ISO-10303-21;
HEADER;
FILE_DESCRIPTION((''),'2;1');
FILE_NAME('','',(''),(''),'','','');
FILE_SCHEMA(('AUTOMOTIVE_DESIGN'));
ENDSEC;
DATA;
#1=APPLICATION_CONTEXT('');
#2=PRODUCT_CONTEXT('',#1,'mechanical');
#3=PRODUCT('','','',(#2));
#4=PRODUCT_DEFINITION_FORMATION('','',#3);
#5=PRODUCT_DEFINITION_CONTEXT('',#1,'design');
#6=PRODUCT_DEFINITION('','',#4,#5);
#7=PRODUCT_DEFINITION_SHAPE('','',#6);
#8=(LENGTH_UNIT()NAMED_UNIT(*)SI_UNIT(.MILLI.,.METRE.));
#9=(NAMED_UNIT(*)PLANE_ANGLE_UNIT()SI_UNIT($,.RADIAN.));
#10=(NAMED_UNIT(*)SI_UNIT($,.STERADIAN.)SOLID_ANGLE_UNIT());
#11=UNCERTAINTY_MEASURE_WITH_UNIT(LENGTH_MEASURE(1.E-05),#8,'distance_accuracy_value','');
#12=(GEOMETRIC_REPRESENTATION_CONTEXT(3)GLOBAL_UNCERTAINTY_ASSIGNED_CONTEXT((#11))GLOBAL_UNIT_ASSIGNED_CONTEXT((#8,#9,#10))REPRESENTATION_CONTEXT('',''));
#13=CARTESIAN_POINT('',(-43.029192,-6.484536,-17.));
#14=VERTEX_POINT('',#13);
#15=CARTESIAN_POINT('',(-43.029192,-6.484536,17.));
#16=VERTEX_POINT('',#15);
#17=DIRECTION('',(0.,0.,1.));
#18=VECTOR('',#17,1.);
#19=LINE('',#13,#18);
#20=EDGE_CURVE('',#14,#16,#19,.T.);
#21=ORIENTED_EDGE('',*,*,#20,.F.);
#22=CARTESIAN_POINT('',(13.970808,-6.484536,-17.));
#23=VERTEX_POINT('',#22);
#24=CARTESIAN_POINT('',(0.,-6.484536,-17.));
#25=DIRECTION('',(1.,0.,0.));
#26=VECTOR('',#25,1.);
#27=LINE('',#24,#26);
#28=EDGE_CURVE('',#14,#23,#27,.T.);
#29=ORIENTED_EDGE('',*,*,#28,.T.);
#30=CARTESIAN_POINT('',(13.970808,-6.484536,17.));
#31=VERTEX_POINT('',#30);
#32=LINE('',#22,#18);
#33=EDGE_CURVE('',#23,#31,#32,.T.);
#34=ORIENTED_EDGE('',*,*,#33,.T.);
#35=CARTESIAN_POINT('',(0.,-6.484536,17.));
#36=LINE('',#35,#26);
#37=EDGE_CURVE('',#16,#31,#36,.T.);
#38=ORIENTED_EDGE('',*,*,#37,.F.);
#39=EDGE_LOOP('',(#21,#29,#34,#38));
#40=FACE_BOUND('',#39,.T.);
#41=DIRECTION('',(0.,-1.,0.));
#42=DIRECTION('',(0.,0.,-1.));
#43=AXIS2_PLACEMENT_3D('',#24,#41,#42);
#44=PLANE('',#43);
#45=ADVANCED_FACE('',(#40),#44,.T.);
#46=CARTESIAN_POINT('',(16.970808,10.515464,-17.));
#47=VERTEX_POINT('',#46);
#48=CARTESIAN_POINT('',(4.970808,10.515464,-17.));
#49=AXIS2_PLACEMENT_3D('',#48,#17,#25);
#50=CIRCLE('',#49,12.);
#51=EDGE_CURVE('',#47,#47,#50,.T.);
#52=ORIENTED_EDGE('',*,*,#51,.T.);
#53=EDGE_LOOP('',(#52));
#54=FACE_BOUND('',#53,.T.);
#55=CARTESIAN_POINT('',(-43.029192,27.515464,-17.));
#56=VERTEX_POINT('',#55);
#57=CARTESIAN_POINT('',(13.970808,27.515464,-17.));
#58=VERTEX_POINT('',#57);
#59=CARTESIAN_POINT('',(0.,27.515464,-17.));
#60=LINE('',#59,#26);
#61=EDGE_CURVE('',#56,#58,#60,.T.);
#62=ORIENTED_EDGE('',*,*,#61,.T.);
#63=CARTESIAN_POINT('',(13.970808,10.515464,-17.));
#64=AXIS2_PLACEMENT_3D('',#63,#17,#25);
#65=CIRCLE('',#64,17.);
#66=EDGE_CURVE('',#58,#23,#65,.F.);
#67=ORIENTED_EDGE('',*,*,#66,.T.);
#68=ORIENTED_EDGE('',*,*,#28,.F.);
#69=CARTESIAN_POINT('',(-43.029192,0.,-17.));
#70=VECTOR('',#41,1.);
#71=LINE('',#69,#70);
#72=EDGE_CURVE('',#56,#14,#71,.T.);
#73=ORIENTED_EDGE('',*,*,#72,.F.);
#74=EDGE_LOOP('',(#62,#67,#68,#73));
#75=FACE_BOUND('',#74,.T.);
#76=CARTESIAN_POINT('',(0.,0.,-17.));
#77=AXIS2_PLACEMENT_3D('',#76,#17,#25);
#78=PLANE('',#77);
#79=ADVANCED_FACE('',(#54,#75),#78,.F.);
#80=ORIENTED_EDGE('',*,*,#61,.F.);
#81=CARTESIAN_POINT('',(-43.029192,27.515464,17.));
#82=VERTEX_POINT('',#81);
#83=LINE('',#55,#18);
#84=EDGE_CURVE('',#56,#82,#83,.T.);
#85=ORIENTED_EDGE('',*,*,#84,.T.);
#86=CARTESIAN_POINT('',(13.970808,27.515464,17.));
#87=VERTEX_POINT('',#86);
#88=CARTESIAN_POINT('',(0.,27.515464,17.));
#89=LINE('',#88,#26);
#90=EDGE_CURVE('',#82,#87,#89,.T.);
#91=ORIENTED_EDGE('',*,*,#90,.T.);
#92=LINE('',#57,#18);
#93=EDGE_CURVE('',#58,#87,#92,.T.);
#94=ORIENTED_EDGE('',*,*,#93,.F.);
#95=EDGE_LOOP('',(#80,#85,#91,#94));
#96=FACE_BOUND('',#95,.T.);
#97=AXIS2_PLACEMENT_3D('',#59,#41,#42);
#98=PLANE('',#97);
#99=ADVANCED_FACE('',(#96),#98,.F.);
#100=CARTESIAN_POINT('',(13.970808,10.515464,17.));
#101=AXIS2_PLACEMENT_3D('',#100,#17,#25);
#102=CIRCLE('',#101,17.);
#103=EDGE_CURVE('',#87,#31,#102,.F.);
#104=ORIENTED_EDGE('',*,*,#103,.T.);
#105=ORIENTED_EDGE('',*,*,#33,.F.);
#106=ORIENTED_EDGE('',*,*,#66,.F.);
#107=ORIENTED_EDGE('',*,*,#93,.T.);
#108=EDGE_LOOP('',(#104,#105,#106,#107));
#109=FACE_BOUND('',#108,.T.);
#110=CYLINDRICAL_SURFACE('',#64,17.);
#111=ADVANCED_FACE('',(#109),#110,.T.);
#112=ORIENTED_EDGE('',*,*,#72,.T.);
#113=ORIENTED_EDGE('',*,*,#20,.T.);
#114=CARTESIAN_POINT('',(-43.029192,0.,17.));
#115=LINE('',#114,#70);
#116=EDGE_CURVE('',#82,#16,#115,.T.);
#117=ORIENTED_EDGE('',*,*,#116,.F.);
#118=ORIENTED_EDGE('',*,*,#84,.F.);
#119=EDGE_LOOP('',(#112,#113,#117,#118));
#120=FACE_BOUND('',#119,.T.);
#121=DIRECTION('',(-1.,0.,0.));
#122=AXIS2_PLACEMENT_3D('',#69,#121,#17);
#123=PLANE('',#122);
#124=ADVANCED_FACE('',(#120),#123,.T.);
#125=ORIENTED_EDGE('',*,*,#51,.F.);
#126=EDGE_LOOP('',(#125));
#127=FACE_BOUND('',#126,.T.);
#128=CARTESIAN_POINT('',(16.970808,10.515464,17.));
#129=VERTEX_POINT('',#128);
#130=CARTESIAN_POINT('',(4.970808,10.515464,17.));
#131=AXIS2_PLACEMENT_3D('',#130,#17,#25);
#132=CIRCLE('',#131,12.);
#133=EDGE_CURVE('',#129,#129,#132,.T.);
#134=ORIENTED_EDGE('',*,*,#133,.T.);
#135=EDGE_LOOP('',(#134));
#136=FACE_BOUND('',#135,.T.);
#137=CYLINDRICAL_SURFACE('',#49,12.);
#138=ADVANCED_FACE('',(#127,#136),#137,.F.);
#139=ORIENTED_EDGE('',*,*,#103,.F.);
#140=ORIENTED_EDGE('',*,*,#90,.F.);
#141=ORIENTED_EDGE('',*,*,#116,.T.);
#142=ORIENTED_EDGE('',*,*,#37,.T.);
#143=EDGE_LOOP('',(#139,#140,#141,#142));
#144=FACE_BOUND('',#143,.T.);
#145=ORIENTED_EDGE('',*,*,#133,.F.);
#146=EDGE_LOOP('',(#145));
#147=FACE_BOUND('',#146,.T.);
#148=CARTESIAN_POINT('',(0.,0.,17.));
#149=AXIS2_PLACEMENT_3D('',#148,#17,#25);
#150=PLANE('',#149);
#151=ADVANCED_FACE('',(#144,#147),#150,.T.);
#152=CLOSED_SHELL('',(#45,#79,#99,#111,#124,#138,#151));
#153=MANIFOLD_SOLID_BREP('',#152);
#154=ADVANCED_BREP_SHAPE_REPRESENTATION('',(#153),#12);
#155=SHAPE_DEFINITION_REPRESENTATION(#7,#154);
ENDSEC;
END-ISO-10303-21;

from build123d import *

# Parameters (mm, degrees)
DODANIE_WYCI_GNI_CIE6_DEPTH      = 17
DODANIE_WYCI_GNI_CIE6_DEPTH_BACK = 17
SZKIC1_R                         = 12


with BuildPart() as part:
    # Szkic1 → Dodanie-wyciągnięcie6 (new, two sides: drawn at the far end of the back side and taken through both)
    with BuildSketch(Plane.XY.offset(-DODANIE_WYCI_GNI_CIE6_DEPTH_BACK)):
        with BuildLine():
            Line((4.970807503, 27.515463918), (-43.029192497, 27.515463918))
            Line((-43.029192497, 27.515463918), (-43.029192497, -6.484536082))
            Line((-43.029192497, -6.484536082), (4.970807503, -6.484536082))
            Line((4.970807503, -6.484536082), (13.970807503, -6.484536082))
            ThreePointArc((13.970807503, -6.484536082), (25.991622783, -1.505351363), (30.970807503, 10.515463918))
            ThreePointArc((30.970807503, 10.515463918), (25.991622783, 22.536279198), (13.970807503, 27.515463918))
            Line((13.970807503, 27.515463918), (4.970807503, 27.515463918))
        make_face()
        with Locations((4.970807503, 10.515463918)):
            Circle(SZKIC1_R, mode=Mode.SUBTRACT)
    extrude(amount=DODANIE_WYCI_GNI_CIE6_DEPTH + DODANIE_WYCI_GNI_CIE6_DEPTH_BACK)


solid = part.part
